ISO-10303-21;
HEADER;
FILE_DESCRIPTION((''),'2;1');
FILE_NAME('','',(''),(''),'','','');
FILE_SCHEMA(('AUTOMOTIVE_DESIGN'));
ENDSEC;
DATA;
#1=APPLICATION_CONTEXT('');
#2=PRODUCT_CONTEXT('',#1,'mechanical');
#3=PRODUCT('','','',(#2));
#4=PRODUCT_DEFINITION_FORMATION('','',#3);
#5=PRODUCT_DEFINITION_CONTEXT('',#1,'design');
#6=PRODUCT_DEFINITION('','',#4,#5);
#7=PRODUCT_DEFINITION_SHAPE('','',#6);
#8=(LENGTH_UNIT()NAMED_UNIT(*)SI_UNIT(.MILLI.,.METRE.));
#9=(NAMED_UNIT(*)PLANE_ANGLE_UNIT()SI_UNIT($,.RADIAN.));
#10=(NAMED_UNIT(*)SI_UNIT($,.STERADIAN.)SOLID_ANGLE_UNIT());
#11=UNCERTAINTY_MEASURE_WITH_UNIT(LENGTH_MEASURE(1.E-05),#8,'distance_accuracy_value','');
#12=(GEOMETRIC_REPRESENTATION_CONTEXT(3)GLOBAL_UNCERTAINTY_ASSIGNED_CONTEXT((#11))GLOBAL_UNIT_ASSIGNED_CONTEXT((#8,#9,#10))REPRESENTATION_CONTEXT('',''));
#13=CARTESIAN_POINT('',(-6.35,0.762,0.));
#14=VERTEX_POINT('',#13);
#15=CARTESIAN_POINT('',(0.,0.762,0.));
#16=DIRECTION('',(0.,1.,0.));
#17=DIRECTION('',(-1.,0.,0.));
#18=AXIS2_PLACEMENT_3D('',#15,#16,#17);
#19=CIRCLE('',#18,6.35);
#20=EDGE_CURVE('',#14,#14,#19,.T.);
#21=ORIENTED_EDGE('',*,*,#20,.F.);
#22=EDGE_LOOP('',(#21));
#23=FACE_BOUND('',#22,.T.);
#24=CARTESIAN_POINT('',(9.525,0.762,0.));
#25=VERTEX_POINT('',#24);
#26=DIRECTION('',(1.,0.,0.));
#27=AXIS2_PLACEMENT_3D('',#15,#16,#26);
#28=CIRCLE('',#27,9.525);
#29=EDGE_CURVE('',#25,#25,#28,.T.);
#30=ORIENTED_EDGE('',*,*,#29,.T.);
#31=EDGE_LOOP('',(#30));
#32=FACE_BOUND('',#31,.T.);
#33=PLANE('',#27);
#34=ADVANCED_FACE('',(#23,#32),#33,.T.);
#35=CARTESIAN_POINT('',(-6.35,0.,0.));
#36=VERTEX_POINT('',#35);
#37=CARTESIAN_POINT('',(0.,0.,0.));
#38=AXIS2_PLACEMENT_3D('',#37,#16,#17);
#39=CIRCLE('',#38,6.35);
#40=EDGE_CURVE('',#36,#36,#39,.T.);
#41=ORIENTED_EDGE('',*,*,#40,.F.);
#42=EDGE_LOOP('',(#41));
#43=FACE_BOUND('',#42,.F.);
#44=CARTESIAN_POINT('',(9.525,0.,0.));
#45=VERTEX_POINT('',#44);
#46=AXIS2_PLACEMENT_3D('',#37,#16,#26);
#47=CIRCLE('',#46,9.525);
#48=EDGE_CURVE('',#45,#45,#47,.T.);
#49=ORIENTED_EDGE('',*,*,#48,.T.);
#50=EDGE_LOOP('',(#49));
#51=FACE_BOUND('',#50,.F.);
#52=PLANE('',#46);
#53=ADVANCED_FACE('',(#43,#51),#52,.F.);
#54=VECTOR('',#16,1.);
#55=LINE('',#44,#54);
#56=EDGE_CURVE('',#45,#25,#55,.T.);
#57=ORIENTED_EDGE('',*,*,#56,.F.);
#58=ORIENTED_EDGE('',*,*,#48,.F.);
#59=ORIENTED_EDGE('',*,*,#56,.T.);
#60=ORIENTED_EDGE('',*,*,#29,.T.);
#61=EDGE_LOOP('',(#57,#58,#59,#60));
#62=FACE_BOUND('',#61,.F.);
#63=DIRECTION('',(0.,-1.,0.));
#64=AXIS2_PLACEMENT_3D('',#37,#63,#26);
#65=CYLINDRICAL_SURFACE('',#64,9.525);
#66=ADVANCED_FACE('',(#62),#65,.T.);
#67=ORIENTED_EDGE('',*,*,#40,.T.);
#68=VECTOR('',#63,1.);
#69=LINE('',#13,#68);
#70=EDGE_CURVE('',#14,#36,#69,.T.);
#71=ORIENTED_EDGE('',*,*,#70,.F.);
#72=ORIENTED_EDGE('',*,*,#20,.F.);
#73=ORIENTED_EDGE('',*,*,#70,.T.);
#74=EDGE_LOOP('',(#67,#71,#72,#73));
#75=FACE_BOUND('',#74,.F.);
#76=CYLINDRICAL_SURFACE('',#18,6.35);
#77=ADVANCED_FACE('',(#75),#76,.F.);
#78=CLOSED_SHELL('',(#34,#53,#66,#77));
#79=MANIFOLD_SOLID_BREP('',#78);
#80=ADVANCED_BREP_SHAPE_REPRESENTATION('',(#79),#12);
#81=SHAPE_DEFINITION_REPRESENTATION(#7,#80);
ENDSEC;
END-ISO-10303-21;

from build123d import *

# Parameters (mm, degrees)
SKETCH1_R           = 9.525
BOSS_EXTRUDE1_DEPTH = 0.762
SKETCH5_R           = 6.35
CUT_EXTRUDE1_DEPTH  = 1.762


with BuildPart() as part:
    # Sketch1 → Boss-Extrude1 (new body)
    with BuildSketch(Plane(origin=(0, 0, 0), x_dir=(1, 0, 0), z_dir=(0, 1, 0))):
        Circle(SKETCH1_R)
    extrude(amount=BOSS_EXTRUDE1_DEPTH)

    # Sketch5 → Cut-Extrude1 (cut, through all)
    with BuildSketch(Plane(origin=(0, 0.762, 0), x_dir=(-1, 0, 0), z_dir=(0, 1, 0))):
        Circle(SKETCH5_R)
    extrude(amount=-CUT_EXTRUDE1_DEPTH, mode=Mode.SUBTRACT)


solid = part.part
